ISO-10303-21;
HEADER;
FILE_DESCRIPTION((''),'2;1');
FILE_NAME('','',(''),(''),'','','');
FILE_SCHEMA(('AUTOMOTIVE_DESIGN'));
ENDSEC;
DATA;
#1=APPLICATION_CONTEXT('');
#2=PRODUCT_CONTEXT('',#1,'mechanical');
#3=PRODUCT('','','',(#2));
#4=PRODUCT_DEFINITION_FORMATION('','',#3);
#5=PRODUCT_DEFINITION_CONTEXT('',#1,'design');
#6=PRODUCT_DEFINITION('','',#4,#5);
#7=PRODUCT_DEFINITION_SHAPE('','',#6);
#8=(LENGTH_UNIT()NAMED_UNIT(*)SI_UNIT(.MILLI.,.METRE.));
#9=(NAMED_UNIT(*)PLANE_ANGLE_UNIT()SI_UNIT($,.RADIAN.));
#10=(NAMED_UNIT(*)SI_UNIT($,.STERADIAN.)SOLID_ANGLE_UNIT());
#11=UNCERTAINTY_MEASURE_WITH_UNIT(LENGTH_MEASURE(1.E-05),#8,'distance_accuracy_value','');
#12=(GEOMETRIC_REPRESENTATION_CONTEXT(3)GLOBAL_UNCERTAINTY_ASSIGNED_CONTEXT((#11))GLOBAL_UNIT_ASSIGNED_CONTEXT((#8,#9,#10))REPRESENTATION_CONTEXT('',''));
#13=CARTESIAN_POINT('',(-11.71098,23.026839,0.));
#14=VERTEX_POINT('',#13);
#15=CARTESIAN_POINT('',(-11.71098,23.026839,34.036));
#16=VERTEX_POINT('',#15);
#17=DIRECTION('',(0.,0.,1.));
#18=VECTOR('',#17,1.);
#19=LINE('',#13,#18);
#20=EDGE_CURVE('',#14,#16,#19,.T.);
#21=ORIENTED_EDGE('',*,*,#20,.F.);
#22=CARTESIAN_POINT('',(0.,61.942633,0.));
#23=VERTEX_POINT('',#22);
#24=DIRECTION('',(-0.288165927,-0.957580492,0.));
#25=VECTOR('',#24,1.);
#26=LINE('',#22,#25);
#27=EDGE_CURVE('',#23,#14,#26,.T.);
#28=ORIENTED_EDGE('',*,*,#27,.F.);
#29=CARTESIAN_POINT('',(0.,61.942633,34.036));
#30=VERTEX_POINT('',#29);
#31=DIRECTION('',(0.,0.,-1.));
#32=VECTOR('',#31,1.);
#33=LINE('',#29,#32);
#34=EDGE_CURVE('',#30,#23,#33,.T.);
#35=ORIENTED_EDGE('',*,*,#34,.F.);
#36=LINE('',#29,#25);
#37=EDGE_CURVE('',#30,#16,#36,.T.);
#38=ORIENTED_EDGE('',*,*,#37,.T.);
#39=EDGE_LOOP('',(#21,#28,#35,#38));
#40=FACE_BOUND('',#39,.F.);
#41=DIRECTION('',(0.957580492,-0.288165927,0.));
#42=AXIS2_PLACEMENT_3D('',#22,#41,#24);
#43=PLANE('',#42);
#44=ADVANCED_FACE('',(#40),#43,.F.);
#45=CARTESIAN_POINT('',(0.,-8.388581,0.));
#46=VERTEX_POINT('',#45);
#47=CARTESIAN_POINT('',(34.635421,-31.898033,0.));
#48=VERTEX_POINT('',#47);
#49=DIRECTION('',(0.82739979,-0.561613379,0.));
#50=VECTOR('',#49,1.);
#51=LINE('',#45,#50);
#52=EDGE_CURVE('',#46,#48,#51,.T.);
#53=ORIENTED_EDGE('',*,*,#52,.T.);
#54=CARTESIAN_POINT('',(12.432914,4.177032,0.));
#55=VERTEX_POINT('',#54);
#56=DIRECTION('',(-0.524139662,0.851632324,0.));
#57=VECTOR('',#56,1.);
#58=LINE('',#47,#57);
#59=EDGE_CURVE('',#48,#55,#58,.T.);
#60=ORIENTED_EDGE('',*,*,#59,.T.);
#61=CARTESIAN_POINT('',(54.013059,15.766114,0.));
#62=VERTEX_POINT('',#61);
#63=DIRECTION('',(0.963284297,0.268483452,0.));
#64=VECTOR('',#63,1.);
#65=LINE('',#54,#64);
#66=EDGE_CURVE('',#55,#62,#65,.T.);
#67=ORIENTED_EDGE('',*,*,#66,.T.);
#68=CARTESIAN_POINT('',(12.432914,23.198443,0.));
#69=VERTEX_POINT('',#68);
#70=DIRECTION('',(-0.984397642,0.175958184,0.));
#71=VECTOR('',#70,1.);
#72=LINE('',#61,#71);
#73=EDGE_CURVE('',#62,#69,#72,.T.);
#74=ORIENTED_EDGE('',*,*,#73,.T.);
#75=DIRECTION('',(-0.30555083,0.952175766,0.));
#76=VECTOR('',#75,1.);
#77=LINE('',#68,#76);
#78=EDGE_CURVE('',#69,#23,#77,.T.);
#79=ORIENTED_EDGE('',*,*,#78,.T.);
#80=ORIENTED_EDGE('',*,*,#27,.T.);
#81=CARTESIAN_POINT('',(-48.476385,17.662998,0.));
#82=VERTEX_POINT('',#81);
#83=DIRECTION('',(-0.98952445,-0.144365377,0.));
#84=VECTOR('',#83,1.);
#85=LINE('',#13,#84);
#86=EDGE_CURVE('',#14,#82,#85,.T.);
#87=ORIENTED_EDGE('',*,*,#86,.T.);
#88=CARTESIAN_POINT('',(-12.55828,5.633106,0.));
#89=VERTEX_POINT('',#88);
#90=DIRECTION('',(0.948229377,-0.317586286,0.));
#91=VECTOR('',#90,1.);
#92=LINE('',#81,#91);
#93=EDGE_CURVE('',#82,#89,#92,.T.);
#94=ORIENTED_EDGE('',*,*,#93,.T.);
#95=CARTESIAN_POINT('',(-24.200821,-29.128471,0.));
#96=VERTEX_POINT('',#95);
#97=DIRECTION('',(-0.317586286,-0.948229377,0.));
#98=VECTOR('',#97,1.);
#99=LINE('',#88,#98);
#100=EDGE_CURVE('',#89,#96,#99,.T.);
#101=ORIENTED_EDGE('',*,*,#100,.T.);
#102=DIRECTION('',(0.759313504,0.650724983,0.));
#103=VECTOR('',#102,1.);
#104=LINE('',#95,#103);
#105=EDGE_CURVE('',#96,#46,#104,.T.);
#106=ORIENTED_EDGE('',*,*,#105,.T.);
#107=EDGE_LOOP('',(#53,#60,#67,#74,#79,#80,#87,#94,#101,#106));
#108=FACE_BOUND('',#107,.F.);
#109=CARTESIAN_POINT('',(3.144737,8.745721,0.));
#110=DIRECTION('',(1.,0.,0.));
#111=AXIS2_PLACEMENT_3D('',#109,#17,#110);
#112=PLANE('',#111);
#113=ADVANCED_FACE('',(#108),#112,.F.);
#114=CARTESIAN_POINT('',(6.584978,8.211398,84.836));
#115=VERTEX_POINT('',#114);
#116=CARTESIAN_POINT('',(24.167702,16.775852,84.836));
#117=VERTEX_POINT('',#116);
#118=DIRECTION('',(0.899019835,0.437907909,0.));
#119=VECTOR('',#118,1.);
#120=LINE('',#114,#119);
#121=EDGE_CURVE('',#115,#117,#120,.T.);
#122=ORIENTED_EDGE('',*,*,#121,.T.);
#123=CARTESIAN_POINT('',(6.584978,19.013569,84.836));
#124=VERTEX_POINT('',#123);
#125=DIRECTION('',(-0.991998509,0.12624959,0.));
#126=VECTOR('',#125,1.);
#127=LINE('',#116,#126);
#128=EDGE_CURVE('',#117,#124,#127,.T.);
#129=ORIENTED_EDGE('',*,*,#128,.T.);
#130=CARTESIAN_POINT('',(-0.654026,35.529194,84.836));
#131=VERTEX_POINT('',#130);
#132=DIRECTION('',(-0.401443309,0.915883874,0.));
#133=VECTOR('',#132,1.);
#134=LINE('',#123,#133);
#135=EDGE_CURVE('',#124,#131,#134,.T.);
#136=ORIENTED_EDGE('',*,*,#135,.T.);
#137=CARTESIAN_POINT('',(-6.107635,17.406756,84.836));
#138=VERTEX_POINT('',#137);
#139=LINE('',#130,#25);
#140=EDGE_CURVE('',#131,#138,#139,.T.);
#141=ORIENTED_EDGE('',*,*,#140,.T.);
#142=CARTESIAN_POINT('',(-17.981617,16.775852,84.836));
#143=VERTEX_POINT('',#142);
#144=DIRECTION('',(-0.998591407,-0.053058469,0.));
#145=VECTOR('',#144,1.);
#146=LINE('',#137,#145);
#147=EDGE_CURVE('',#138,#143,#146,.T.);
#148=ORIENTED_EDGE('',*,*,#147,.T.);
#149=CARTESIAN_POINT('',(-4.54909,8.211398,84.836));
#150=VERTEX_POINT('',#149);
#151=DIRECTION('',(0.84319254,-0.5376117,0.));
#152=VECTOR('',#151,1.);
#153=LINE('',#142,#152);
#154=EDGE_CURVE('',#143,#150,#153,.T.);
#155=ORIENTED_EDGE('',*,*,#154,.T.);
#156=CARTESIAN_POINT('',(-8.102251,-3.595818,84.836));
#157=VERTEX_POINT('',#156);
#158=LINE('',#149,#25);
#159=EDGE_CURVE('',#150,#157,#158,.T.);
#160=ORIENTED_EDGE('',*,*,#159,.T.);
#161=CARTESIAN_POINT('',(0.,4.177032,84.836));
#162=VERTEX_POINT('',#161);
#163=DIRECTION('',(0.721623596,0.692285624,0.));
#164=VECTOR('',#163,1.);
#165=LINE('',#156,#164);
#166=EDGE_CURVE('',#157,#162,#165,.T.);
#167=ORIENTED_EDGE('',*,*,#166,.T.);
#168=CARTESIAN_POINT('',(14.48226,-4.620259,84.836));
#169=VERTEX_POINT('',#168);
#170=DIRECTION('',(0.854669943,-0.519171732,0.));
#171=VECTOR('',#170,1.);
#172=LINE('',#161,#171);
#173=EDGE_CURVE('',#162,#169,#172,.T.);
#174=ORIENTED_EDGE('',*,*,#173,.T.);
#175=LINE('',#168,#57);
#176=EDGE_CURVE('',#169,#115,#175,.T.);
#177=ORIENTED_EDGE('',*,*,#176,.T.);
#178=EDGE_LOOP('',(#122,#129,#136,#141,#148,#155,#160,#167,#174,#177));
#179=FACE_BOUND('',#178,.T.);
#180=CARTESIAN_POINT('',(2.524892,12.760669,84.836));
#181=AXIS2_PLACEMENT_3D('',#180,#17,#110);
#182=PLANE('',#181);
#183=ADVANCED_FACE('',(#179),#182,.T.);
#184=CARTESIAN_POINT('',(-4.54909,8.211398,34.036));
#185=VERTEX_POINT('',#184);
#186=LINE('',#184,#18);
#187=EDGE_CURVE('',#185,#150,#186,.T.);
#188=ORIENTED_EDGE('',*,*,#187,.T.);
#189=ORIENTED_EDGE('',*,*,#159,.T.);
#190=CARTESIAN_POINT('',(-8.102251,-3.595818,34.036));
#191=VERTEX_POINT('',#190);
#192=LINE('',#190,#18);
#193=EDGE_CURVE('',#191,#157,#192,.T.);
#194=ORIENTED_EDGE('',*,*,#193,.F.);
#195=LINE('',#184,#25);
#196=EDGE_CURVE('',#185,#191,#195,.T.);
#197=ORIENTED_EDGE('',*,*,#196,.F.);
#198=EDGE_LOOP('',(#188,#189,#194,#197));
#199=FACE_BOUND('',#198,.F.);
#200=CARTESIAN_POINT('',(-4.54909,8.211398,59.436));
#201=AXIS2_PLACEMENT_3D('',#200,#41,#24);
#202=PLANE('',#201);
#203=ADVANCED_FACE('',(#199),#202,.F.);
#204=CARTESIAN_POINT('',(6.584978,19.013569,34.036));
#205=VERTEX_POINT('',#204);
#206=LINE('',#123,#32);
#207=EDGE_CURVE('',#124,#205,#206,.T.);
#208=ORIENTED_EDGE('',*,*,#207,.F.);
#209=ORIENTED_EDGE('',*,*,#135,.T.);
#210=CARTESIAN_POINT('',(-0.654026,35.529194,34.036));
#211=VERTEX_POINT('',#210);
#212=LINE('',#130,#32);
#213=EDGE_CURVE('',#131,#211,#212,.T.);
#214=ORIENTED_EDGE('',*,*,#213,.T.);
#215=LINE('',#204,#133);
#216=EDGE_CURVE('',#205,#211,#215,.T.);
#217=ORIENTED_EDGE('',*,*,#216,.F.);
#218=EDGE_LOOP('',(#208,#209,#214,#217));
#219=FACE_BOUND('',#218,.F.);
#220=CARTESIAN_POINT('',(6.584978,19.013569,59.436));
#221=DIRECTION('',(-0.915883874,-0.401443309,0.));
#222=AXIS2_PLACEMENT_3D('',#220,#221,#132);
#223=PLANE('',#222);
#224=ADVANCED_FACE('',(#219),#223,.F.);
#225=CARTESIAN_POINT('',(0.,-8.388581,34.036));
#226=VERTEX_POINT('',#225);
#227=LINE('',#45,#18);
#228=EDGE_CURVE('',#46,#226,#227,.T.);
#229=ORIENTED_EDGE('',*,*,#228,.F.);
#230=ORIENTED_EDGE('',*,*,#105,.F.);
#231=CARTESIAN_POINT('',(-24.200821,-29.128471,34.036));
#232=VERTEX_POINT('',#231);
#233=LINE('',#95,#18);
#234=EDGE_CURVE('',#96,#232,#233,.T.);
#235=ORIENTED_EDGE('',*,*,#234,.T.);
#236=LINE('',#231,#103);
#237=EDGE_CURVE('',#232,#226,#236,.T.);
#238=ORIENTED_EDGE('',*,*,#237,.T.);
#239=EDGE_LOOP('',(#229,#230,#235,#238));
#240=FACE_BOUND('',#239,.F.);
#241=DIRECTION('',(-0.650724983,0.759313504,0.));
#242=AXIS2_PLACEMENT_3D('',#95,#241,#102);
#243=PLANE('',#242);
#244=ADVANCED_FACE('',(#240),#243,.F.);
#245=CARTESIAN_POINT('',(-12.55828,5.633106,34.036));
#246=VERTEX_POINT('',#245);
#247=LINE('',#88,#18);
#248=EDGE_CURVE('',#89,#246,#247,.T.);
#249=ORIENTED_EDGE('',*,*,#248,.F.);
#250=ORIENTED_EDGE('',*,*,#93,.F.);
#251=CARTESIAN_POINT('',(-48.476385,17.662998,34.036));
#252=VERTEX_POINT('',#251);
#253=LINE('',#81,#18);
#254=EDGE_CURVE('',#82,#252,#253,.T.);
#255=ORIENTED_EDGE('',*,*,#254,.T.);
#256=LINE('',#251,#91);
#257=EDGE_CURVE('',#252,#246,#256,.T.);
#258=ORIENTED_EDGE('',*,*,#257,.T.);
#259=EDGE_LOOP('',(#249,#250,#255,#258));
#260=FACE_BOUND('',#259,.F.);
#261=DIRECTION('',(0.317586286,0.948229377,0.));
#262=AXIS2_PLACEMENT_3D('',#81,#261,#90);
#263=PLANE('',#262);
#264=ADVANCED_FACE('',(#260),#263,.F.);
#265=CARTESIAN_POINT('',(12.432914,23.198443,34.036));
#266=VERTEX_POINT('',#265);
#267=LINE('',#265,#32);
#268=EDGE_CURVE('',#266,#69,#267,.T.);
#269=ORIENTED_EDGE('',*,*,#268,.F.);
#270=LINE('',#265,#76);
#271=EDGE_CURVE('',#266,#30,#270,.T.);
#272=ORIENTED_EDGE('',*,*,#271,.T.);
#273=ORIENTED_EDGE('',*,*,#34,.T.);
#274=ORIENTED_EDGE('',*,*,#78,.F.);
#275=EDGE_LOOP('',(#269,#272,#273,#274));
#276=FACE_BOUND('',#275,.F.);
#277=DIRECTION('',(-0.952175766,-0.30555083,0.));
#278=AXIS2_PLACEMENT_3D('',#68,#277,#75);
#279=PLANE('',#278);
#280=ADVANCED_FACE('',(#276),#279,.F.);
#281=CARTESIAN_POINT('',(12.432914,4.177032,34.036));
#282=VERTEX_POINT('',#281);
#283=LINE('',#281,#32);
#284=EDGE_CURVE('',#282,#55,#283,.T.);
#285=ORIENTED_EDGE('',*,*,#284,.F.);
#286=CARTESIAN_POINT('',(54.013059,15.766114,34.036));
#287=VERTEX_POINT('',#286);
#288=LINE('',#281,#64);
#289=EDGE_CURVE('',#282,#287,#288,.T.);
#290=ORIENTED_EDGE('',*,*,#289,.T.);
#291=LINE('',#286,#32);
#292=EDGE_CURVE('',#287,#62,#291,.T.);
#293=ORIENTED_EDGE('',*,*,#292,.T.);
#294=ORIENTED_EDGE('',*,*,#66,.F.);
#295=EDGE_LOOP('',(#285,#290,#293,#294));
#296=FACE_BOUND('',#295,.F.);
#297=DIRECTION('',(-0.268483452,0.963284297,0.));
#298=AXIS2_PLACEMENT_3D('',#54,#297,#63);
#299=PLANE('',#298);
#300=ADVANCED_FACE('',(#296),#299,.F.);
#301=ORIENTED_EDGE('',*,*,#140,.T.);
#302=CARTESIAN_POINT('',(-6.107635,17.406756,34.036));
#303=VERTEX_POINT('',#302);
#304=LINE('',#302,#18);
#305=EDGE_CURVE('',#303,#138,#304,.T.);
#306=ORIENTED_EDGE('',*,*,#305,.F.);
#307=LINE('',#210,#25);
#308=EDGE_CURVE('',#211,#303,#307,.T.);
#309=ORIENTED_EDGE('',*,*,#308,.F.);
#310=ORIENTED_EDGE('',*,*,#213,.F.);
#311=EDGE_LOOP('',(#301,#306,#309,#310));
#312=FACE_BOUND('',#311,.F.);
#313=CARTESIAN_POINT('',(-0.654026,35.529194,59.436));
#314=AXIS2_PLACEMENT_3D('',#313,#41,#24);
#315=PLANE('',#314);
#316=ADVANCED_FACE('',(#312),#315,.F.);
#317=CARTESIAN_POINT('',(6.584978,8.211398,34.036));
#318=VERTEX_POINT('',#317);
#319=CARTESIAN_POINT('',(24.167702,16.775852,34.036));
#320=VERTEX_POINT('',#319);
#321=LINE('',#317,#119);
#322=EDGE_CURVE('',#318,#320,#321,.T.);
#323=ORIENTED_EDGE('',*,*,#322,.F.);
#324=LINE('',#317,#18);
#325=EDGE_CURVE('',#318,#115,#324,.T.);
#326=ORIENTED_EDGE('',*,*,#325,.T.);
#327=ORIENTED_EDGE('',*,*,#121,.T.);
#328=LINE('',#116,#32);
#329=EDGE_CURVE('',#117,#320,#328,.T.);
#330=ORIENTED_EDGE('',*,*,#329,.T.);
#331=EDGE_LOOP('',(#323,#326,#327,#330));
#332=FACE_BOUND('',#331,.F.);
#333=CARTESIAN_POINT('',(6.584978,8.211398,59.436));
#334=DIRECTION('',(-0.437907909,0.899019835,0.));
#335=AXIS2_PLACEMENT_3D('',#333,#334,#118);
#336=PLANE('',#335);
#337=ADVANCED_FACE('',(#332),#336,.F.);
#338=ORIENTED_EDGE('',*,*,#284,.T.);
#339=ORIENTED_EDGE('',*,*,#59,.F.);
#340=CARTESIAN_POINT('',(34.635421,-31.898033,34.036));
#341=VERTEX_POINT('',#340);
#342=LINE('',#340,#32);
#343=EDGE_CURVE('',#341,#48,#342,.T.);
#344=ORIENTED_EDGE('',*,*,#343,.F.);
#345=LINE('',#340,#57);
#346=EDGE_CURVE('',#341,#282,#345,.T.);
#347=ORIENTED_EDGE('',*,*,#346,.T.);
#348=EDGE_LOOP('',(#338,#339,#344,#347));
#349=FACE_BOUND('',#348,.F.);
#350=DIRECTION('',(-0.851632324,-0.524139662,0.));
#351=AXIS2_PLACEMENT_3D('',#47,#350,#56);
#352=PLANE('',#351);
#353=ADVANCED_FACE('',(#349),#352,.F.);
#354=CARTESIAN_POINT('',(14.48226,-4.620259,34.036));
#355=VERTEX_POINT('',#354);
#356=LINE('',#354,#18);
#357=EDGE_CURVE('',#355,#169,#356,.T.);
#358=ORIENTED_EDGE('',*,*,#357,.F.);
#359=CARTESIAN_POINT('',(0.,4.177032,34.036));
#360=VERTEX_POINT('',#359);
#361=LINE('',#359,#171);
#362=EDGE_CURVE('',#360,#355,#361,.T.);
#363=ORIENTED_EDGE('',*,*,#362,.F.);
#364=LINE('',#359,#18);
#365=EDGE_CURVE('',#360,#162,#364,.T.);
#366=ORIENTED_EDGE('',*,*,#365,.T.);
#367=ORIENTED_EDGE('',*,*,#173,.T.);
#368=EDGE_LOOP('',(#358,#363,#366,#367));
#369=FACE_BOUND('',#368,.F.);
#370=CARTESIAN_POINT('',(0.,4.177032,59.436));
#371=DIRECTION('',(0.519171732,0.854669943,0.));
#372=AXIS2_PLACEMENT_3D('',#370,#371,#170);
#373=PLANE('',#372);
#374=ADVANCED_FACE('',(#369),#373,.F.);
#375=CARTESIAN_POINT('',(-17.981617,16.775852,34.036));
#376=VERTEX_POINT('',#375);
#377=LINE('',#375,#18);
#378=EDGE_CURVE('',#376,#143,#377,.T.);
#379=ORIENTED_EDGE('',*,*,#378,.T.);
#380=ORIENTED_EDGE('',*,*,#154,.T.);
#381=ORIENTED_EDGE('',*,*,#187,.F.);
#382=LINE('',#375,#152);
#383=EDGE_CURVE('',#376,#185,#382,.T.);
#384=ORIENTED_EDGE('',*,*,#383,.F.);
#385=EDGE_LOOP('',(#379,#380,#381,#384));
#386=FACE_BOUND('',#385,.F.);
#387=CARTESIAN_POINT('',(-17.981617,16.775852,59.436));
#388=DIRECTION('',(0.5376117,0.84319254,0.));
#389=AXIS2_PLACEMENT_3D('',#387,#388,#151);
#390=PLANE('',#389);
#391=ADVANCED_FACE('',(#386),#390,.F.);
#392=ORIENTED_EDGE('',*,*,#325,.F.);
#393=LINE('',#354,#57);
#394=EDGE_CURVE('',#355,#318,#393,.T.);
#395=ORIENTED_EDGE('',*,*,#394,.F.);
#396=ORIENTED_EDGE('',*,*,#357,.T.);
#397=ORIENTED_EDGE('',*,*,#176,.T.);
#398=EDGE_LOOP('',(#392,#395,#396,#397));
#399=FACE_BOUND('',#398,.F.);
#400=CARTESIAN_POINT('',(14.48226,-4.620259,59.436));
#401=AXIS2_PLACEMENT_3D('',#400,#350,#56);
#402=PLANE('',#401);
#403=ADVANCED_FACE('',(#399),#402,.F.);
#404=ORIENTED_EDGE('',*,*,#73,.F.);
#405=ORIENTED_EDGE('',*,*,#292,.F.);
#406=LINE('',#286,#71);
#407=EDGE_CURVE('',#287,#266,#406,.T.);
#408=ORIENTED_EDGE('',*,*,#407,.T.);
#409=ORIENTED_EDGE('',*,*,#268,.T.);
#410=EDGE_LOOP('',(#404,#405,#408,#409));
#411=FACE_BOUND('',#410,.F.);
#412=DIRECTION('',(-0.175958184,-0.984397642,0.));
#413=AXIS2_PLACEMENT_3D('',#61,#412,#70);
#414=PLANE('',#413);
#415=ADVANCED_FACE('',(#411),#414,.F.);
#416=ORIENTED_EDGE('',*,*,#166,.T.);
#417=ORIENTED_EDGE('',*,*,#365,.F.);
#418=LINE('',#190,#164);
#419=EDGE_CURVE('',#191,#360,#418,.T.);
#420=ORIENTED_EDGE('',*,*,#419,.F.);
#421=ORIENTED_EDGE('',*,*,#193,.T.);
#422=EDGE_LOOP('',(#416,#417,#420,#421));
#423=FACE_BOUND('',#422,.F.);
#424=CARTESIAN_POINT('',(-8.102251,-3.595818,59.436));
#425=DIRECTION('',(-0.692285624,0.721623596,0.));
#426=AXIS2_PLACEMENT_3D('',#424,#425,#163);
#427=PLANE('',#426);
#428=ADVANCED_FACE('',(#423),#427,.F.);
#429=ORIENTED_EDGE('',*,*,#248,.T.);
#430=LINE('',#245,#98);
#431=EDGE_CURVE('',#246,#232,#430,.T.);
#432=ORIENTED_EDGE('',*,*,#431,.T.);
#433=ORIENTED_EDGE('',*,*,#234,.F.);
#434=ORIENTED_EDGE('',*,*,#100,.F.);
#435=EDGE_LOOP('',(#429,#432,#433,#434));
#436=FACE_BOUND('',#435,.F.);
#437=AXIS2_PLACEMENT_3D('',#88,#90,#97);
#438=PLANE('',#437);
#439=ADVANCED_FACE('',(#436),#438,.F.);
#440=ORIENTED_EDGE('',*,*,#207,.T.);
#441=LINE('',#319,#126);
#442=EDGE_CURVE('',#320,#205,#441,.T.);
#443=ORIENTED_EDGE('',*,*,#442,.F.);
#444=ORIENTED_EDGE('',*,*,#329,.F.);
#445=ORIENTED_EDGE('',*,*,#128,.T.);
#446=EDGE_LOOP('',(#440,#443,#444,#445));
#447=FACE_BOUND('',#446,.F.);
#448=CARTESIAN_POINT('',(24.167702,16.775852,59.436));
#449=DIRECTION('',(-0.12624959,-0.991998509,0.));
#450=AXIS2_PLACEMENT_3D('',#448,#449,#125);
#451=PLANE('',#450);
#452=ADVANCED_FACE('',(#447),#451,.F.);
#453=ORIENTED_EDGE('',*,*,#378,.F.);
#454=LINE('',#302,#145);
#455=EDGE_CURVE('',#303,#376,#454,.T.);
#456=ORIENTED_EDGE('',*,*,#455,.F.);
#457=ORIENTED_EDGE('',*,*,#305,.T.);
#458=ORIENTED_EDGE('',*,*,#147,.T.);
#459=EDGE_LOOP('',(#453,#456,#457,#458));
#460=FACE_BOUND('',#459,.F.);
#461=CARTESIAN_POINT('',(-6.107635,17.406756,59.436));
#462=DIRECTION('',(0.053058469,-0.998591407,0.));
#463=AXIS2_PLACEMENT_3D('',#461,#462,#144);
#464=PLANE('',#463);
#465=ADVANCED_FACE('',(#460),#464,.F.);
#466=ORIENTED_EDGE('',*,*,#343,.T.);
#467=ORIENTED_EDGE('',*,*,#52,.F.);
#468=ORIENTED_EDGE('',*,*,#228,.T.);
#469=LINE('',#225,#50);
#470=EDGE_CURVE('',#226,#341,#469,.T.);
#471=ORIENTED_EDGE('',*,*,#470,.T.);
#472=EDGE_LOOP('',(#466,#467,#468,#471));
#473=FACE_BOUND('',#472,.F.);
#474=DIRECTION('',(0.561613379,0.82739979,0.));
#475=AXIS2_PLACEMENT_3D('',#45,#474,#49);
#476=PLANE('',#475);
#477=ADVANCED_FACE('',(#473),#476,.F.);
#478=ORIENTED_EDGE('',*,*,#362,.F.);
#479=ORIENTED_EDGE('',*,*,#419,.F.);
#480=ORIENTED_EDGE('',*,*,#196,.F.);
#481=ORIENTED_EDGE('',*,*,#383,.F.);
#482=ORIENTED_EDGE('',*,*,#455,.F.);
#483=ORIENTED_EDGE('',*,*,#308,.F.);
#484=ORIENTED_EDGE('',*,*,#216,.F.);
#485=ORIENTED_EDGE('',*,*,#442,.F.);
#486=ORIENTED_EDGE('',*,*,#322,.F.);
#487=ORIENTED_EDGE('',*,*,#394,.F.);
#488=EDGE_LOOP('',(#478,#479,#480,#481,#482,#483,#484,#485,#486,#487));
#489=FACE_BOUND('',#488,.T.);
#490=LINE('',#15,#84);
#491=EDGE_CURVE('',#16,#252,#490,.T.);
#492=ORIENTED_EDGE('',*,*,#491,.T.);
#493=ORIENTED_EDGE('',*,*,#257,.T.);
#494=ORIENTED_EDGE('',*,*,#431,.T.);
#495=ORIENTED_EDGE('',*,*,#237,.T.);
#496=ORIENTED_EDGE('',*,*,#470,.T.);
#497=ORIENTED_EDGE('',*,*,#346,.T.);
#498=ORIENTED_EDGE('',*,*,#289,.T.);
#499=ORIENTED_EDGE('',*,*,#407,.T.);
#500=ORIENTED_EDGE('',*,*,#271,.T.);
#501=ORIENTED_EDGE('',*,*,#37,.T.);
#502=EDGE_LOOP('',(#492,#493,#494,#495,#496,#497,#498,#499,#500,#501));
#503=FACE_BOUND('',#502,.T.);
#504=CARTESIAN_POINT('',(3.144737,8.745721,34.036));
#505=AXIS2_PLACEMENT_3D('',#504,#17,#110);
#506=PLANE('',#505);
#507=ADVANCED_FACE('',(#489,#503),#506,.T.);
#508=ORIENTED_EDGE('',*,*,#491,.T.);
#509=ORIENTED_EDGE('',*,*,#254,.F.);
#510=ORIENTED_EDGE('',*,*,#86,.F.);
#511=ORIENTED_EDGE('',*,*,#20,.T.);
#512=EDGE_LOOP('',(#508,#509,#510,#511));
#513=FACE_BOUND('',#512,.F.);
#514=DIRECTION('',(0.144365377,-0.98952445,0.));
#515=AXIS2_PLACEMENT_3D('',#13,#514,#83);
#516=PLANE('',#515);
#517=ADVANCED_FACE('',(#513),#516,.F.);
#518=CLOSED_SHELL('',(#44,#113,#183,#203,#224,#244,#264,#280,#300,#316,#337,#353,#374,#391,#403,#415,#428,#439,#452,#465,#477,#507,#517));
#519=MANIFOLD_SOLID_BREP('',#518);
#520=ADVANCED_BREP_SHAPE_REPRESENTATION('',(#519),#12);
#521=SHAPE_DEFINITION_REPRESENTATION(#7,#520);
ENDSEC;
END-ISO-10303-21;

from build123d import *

# Parameters (mm, degrees)
F1_DEPTH = 34.036
F3_DEPTH = 25.4
F4_DEPTH = 25.4


with BuildPart() as f1:
    # F0 (on Top) → F1 (new body)
    with BuildSketch(Plane.XY):
        Polygon((0, 61.9426332414), (-11.7109799758, 23.0268388987), (-48.476384759, 17.6629981817), (-12.558279559, 5.6331055239), (-24.2008212954, -29.1284713894), (0, -8.3885807544), (34.6354208887, -31.8980328739), (12.4329142272, 4.1770320386), (54.0130585432, 15.7661139965), (12.4329142272, 23.1984425336), align=None)
    extrude(amount=F1_DEPTH)

    # F2 (on face) → F3 (join)
    with BuildSketch(Plane.XY.offset(34.036)):
        Polygon((-0.6540262179, 35.5291943997), (-6.1076348647, 17.4067560583), (-17.9816167802, 16.7758520693), (-4.5490903707, 8.2113984972), (-8.1022512168, -3.595818067), (0, 4.1770320386), (14.4822600718, -4.6202587845), (6.5849781968, 8.2113984972), (24.167701602, 16.7758520693), (6.5849781968, 19.013568759), align=None)
    extrude(amount=F3_DEPTH)

    # F4 (add): faces of the model
    f4_faces = [f1.faces().sort_by_distance(p)[0] for p in [
        (2.0638744173, 13.7880141108, 59.436),
        (2.0271315912, 10.6742348057, 0),
    ]]
    extrude(f4_faces, amount=F4_DEPTH, dir=(0, 0, 1))


solid = f1.part
